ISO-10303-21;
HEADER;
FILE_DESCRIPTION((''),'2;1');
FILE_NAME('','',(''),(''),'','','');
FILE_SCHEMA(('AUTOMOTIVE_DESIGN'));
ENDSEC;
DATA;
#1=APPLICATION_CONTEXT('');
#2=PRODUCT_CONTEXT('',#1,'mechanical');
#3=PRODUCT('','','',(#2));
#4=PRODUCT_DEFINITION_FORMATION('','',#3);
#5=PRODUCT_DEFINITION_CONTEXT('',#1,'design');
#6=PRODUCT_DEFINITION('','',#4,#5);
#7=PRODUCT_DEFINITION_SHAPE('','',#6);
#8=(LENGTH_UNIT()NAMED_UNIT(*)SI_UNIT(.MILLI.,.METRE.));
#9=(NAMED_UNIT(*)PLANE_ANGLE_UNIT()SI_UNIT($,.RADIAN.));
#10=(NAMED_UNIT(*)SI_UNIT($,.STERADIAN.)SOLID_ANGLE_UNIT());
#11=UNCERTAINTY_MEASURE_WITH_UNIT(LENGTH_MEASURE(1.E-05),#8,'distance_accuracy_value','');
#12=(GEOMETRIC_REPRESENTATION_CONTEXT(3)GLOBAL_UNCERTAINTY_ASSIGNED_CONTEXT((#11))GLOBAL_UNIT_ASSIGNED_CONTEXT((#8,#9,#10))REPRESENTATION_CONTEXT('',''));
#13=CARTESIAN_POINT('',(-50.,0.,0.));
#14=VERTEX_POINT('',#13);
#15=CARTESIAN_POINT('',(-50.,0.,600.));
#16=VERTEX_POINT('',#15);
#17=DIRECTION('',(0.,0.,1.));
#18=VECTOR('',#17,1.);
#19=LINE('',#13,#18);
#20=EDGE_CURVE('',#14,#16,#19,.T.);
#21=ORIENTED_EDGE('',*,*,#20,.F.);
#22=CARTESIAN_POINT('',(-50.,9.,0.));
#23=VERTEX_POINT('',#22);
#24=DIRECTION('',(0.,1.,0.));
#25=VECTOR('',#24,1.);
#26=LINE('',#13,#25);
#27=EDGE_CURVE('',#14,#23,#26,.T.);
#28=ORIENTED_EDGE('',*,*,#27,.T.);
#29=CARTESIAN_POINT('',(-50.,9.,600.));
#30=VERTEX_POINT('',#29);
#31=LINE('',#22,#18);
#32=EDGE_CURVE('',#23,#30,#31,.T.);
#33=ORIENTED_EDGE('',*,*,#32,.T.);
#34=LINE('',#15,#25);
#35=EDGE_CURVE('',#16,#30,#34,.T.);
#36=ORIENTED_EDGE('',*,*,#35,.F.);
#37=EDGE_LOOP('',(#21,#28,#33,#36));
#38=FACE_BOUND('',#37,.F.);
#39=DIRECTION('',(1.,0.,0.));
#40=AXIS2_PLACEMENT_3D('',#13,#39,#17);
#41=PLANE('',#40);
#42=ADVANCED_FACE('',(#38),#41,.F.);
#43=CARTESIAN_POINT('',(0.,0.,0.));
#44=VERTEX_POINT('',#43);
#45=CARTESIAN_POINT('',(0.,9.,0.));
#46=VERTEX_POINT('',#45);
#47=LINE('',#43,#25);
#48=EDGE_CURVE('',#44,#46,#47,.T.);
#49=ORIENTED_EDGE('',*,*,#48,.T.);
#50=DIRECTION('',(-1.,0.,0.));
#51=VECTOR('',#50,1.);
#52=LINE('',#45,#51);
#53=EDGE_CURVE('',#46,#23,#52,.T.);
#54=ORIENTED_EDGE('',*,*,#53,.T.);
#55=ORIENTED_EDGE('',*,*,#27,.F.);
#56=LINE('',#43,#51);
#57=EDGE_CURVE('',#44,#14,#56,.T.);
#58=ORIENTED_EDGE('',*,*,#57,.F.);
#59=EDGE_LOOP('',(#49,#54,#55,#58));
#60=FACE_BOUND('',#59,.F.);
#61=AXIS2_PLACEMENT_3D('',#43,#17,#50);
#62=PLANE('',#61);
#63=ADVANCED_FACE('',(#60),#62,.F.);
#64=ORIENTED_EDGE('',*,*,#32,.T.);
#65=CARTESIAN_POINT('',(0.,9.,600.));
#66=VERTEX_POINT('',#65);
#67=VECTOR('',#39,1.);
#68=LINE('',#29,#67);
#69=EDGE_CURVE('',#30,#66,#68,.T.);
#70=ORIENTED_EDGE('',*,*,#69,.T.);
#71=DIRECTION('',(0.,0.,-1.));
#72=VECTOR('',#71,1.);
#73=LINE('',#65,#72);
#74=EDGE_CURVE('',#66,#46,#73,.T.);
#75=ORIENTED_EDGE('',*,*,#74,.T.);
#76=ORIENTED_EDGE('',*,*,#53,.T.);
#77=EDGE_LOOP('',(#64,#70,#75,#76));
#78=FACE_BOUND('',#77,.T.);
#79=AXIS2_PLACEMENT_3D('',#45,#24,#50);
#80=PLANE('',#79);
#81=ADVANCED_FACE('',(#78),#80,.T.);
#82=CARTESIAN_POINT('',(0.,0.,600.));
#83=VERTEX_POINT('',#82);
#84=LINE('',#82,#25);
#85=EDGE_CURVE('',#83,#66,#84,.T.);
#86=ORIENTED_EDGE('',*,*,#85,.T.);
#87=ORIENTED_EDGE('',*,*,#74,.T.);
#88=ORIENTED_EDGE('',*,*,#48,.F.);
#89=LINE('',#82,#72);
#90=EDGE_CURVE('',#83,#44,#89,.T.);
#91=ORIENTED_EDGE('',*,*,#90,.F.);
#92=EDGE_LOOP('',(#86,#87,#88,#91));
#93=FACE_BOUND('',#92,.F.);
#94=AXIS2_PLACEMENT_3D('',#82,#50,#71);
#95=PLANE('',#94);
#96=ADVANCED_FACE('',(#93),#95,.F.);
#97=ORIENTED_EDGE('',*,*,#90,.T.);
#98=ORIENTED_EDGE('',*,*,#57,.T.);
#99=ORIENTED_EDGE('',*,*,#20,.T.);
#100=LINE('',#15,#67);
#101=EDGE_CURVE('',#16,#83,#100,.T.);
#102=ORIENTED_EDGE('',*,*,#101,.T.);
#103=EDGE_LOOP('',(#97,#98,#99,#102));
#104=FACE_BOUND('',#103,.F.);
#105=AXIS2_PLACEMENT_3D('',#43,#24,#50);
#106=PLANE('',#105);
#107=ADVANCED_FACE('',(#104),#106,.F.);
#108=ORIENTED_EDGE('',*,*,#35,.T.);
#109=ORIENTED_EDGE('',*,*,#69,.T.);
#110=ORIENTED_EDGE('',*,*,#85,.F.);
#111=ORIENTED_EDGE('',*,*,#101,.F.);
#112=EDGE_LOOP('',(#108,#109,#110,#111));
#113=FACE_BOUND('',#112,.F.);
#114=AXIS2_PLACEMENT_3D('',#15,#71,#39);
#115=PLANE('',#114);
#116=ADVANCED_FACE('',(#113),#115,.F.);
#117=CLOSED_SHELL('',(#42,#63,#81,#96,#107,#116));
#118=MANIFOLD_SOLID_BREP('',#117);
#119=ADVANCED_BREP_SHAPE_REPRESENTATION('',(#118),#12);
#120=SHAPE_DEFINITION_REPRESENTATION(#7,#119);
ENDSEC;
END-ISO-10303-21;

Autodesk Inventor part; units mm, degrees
ref_plane "YZ Plane" through (0, 0, 0) normal (1, 0, 0) x (0, 1, 0)
ref_plane "XZ Plane" through (0, 0, 0) normal (0, 1, 0) x (-1, 0, 0)
ref_plane "XY Plane" through (0, 0, 0) normal (0, 0, 1) x (1, 0, 0)
sketch "Sketch1" plane through (0, 0, 0) normal (0, 1, 0) x (-1, 0, 0)
  line L0 (0, 0) -> (50, 0)
  line L1 (50, 0) -> (50, 600)
  line L2 (50, 600) -> (0, 600)
  line L3 (0, 600) -> (0, 0)
  dimension "d0" = 600
  dimension "d1" = 50
extrude "Extrusion1" add sketch "Sketch1" along normal blind 9
properties part number "Yplate"
